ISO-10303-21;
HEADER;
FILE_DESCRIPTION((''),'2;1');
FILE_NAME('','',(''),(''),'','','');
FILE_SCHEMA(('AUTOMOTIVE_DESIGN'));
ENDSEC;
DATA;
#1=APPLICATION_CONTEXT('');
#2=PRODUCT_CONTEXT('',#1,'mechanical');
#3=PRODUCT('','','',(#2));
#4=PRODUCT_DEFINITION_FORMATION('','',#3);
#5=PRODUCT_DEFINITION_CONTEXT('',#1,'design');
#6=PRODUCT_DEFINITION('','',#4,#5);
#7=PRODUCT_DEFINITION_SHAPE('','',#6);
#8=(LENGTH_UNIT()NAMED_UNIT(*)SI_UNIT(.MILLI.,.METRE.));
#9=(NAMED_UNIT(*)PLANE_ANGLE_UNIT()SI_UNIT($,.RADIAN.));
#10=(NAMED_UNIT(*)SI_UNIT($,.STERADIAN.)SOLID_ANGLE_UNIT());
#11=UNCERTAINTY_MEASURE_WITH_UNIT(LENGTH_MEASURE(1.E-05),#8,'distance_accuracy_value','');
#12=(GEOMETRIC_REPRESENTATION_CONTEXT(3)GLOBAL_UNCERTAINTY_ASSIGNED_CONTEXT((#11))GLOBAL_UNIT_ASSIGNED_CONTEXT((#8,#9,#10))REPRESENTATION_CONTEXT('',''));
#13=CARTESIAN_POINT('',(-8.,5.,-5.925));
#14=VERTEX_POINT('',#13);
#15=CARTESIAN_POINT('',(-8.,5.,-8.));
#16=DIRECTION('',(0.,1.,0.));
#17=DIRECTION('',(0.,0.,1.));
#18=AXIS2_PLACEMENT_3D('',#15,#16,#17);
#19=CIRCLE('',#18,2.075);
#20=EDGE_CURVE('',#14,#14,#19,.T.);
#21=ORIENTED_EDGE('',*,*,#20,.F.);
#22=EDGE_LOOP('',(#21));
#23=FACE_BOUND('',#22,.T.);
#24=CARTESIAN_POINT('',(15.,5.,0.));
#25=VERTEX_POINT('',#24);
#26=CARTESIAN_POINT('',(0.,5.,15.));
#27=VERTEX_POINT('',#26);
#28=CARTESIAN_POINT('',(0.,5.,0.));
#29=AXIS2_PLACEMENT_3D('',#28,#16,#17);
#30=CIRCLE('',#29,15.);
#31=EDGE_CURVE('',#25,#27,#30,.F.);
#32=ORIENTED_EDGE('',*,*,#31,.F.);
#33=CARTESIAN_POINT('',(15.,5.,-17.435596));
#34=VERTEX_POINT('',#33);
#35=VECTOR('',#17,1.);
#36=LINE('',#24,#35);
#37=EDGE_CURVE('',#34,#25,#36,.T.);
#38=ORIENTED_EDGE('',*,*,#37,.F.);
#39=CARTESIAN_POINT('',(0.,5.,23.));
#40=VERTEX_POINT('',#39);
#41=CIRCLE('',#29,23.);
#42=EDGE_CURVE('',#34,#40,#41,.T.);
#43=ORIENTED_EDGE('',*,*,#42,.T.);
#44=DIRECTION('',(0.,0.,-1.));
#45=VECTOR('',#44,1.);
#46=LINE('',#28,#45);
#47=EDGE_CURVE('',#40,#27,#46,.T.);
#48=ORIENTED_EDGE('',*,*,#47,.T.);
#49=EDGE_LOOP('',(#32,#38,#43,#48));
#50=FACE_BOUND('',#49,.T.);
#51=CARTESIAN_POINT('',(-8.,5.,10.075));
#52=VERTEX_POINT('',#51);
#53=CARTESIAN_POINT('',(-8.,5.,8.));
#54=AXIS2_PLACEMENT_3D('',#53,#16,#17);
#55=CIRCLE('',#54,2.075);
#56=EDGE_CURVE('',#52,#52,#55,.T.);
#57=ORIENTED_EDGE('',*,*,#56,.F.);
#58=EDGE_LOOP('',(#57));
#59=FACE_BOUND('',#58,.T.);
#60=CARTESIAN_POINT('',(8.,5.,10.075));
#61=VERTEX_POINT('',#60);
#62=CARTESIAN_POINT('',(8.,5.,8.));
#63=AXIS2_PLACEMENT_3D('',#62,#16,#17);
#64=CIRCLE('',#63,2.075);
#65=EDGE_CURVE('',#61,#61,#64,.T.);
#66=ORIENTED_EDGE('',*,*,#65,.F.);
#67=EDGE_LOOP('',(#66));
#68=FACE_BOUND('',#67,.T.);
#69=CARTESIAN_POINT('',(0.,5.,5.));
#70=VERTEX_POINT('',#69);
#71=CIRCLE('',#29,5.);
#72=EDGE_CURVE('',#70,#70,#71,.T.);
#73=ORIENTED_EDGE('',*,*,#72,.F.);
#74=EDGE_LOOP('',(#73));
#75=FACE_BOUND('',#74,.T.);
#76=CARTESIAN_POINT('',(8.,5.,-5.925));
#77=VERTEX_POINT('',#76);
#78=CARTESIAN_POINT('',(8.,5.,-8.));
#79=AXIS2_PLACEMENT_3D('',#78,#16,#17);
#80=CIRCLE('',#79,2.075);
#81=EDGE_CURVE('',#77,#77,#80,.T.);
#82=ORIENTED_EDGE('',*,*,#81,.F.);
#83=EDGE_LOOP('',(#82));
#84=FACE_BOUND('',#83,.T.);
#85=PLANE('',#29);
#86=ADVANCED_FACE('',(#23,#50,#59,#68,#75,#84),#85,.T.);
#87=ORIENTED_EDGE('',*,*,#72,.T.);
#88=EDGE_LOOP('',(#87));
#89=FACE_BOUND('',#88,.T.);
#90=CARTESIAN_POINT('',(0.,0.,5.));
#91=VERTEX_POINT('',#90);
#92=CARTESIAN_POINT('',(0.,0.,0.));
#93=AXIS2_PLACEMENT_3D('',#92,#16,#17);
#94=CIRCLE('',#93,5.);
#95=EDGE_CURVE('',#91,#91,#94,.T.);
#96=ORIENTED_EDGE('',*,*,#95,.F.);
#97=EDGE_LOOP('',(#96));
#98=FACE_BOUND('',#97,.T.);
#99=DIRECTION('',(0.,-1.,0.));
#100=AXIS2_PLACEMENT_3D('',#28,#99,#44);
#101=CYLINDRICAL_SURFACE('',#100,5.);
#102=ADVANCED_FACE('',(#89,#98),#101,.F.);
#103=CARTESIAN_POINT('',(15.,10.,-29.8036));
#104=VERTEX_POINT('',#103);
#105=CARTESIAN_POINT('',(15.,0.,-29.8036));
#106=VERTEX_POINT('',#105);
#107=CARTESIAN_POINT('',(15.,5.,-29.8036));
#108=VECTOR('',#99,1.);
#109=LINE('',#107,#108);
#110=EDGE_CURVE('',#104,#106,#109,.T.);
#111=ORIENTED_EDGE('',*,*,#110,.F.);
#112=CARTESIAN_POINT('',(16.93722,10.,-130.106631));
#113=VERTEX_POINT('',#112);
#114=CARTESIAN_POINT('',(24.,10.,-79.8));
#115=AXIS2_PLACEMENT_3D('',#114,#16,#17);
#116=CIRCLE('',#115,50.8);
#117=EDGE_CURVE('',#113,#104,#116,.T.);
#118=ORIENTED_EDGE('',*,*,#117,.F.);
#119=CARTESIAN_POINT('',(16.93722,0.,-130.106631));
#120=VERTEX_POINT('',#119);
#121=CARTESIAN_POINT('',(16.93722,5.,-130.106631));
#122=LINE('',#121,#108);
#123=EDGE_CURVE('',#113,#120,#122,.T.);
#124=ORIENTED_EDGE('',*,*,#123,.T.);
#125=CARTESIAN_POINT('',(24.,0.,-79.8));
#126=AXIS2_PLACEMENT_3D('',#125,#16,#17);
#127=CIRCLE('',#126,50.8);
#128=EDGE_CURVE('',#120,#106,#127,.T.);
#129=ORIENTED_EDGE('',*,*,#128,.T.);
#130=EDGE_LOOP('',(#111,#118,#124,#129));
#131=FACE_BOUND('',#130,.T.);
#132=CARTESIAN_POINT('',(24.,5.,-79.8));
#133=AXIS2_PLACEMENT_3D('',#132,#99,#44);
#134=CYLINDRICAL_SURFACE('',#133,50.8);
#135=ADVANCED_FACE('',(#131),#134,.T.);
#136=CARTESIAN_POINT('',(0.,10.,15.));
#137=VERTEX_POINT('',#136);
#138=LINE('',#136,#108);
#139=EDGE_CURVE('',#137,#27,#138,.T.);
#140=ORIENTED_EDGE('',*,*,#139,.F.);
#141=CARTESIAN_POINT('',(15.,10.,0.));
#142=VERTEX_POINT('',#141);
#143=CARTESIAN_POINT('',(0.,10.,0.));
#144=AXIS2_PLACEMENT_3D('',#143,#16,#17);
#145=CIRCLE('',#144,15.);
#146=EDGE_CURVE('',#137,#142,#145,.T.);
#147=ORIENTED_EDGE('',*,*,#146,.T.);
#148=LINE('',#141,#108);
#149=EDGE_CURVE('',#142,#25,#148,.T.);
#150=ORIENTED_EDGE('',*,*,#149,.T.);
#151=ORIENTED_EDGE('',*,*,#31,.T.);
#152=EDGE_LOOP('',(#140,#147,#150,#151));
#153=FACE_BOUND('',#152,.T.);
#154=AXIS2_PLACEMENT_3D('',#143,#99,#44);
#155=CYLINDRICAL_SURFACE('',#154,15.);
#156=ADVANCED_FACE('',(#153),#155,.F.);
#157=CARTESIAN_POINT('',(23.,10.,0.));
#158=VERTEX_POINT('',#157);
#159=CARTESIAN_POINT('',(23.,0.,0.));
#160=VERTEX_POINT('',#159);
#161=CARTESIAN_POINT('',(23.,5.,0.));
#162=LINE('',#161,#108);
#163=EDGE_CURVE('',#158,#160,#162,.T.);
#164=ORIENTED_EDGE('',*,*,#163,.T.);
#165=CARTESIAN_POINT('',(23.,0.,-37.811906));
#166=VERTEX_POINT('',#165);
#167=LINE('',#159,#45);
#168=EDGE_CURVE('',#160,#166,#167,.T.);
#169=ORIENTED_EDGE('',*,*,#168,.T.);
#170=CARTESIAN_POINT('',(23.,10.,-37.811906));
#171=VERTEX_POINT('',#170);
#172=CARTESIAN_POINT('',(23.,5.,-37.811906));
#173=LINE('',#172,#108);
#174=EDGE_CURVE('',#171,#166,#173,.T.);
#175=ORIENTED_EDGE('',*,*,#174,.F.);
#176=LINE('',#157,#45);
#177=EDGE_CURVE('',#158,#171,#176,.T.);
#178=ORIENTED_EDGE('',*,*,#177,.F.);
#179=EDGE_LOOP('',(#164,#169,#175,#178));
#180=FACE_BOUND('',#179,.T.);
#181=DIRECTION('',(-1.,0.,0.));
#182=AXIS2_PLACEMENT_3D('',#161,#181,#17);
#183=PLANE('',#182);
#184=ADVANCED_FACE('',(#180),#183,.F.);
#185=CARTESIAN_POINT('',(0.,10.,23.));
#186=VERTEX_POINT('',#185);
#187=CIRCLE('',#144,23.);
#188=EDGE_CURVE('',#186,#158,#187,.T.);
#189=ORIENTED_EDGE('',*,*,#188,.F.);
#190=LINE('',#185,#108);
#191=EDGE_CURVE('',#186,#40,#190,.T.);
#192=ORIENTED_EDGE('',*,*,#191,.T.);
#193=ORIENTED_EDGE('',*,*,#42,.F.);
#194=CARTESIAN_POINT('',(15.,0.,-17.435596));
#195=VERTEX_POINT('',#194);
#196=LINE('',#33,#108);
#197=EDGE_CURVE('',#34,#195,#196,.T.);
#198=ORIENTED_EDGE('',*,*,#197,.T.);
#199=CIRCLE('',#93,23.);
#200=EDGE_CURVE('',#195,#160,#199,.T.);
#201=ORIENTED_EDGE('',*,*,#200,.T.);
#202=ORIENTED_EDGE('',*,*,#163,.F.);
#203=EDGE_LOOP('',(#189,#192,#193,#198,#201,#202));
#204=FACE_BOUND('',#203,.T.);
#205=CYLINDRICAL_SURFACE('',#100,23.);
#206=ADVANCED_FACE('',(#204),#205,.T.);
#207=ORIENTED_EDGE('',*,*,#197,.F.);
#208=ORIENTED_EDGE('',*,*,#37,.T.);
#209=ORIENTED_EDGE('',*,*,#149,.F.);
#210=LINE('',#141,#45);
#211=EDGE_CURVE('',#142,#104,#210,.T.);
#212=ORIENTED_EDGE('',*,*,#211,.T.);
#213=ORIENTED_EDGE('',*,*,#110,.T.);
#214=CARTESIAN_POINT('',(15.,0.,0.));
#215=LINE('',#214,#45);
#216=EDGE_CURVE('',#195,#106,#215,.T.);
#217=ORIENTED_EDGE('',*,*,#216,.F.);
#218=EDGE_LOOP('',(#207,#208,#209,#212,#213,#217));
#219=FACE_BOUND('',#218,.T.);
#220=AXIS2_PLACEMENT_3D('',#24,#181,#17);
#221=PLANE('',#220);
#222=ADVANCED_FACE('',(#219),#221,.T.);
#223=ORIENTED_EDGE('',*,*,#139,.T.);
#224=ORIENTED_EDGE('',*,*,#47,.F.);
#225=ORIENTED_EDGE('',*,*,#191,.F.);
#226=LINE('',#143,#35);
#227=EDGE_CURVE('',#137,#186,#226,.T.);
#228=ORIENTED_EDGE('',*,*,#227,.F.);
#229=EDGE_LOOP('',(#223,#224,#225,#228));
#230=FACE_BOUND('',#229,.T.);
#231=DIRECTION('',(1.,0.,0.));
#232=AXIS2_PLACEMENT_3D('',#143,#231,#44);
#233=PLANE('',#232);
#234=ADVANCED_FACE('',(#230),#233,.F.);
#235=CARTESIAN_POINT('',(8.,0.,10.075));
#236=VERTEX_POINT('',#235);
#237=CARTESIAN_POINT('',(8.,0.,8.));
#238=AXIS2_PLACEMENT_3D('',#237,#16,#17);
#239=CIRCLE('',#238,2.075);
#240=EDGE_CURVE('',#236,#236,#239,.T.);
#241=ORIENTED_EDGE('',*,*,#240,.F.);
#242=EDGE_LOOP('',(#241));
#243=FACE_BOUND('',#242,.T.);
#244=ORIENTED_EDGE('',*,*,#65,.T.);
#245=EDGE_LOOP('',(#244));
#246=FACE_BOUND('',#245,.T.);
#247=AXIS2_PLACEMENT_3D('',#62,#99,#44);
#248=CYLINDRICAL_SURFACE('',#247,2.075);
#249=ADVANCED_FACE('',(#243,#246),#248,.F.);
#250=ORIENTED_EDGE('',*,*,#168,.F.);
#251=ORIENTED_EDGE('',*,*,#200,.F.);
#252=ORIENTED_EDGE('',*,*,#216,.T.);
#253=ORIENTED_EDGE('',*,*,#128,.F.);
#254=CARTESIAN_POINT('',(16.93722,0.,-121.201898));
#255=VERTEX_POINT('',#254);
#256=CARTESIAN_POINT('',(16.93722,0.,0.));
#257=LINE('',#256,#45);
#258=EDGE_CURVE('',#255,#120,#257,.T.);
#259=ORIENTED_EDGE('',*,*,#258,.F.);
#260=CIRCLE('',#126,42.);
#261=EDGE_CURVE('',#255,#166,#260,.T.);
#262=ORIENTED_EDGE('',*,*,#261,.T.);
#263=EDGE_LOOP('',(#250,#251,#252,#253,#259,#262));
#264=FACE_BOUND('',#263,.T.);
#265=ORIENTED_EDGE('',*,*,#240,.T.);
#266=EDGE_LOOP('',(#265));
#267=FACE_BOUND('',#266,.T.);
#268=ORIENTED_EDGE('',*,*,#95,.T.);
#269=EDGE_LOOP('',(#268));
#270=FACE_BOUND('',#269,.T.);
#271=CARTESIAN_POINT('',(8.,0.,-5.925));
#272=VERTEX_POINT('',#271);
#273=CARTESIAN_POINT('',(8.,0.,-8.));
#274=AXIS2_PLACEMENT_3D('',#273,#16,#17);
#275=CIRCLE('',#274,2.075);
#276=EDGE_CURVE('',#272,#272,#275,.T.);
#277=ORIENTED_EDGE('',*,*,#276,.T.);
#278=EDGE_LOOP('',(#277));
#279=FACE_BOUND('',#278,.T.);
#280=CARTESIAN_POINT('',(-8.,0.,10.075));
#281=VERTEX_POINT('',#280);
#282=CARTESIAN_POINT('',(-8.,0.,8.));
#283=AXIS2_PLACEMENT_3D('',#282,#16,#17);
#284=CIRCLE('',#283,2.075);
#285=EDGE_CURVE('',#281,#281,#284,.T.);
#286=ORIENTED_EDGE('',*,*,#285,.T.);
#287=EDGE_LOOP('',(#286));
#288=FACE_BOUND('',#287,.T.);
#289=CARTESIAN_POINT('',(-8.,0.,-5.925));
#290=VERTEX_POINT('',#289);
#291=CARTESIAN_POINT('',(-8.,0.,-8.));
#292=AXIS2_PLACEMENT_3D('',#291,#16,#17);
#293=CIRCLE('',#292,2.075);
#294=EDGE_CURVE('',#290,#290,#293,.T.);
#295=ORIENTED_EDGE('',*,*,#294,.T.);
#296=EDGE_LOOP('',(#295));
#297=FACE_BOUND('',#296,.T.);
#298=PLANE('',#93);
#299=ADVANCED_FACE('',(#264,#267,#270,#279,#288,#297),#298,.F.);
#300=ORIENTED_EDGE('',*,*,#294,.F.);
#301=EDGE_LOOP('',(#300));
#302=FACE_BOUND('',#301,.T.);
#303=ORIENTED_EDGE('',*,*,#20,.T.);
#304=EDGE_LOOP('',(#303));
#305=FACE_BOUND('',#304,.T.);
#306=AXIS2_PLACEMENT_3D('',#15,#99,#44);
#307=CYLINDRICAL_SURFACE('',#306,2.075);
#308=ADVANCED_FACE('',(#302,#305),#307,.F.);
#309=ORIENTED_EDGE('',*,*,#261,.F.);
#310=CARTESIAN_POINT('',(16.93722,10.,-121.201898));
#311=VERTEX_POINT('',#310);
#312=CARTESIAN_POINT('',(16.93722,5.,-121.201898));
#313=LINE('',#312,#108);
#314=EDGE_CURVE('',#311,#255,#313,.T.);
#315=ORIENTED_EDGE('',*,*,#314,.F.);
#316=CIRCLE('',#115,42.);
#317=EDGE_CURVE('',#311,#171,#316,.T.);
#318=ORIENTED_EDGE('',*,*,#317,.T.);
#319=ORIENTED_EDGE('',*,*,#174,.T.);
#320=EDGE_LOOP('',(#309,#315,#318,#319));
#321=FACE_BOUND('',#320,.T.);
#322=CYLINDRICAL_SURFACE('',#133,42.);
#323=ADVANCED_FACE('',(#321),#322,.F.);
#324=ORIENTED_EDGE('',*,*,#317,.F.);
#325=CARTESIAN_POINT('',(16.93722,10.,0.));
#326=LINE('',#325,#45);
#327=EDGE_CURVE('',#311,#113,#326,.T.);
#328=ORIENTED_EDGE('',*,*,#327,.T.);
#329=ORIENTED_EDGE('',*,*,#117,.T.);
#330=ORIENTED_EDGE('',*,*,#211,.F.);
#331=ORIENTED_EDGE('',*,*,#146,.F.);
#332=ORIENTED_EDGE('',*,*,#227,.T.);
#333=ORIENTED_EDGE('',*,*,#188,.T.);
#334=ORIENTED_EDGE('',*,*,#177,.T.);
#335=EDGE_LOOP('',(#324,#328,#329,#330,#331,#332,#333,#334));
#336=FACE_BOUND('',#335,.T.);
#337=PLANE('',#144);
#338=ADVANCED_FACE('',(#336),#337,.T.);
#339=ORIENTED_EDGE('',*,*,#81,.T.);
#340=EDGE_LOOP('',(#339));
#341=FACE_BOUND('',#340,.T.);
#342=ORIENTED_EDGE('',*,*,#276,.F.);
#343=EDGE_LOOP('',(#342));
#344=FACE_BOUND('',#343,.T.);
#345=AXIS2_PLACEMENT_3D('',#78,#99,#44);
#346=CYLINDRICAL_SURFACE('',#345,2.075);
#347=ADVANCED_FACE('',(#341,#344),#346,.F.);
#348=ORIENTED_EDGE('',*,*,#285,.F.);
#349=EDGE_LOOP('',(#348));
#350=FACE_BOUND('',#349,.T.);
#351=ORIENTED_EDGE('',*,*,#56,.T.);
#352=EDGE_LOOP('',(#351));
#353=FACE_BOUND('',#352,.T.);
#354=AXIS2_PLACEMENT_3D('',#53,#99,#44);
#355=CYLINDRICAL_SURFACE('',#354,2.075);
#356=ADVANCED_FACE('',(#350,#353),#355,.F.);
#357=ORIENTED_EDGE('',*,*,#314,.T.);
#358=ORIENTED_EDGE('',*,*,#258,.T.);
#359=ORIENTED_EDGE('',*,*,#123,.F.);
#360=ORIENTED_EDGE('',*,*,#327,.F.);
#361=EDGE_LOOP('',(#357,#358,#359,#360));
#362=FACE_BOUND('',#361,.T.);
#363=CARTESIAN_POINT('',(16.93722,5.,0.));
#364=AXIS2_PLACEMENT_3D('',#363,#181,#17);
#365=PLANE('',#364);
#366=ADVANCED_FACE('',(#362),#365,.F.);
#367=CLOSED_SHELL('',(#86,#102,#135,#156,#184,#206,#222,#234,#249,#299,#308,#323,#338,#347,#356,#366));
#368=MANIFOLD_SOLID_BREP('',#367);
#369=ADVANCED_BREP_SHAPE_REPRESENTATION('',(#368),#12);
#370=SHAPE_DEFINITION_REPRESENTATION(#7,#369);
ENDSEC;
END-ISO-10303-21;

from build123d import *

# Parameters (mm, degrees)
SKETCH1_R           = 5
SKETCH1_R_2         = 2.075
BOSS_EXTRUDE1_DEPTH = 5
BOSS_EXTRUDE2_DEPTH = 10


with BuildPart() as part:
    # Sketch1 → Boss-Extrude1 (new body)
    with BuildSketch(Plane(origin=(0, 0, 0), x_dir=(1, 0, 0), z_dir=(0, 1, 0))):
        with BuildLine():
            ThreePointArc((23, 37.81190645), (-17.889435034, 76.754473357), (16.937219731, 121.201897721))
            Line((16.937219731, 121.201897721), (16.937219731, 130.106631122))
            ThreePointArc((16.937219731, 130.106631122), (-26.790527996, 80.780951543), (15, 29.80360013))
            Line((15, 29.80360013), (15, 17.435595774))
            ThreePointArc((15, 17.435595774), (-20.90454496, -9.591663047), (23, 0))
            Line((23, 0), (23, 37.81190645))
        make_face()
        Circle(SKETCH1_R, mode=Mode.SUBTRACT)
        with Locations((8, 8)):
            Circle(SKETCH1_R_2, mode=Mode.SUBTRACT)
        with Locations((-8, -8)):
            Circle(SKETCH1_R_2, mode=Mode.SUBTRACT)
        with Locations((-8, 8)):
            Circle(SKETCH1_R_2, mode=Mode.SUBTRACT)
        with Locations((8, -8)):
            Circle(SKETCH1_R_2, mode=Mode.SUBTRACT)
    extrude(amount=BOSS_EXTRUDE1_DEPTH)

    # Sketch1<3> → Boss-Extrude2 (add)
    with BuildSketch(Plane(origin=(0, 0, 0), x_dir=(1, 0, 0), z_dir=(0, 1, 0))):
        with BuildLine():
            Line((23, 23), (23, 29))
            Line((23, 29), (23, 29.009843473))
            Line((23, 29.009843473), (23, 37.81190645))
            ThreePointArc((23, 37.81190645), (19.957969223, 37.994952611), (16.937219731, 38.398102279))
            ThreePointArc((16.937219731, 38.398102279), (-18, 79.8), (16.937219731, 121.201897721))
            Line((16.937219731, 121.201897721), (16.937219731, 130.106631122))
            ThreePointArc((16.937219731, 130.106631122), (-26.790527996, 80.780951543), (15, 29.80360013))
            Line((15, 29.80360013), (15, 23))
            Line((15, 23), (15, 17.435595774))
            Line((15, 17.435595774), (15, 0))
            ThreePointArc((15, 0), (10.606601718, -10.606601718), (0, -15))
            Line((0, -15), (0, -23))
            ThreePointArc((0, -23), (16.263455967, -16.263455967), (23, 0))
            Line((23, 0), (23, 23))
        make_face()
    extrude(amount=BOSS_EXTRUDE2_DEPTH)


solid = part.part
